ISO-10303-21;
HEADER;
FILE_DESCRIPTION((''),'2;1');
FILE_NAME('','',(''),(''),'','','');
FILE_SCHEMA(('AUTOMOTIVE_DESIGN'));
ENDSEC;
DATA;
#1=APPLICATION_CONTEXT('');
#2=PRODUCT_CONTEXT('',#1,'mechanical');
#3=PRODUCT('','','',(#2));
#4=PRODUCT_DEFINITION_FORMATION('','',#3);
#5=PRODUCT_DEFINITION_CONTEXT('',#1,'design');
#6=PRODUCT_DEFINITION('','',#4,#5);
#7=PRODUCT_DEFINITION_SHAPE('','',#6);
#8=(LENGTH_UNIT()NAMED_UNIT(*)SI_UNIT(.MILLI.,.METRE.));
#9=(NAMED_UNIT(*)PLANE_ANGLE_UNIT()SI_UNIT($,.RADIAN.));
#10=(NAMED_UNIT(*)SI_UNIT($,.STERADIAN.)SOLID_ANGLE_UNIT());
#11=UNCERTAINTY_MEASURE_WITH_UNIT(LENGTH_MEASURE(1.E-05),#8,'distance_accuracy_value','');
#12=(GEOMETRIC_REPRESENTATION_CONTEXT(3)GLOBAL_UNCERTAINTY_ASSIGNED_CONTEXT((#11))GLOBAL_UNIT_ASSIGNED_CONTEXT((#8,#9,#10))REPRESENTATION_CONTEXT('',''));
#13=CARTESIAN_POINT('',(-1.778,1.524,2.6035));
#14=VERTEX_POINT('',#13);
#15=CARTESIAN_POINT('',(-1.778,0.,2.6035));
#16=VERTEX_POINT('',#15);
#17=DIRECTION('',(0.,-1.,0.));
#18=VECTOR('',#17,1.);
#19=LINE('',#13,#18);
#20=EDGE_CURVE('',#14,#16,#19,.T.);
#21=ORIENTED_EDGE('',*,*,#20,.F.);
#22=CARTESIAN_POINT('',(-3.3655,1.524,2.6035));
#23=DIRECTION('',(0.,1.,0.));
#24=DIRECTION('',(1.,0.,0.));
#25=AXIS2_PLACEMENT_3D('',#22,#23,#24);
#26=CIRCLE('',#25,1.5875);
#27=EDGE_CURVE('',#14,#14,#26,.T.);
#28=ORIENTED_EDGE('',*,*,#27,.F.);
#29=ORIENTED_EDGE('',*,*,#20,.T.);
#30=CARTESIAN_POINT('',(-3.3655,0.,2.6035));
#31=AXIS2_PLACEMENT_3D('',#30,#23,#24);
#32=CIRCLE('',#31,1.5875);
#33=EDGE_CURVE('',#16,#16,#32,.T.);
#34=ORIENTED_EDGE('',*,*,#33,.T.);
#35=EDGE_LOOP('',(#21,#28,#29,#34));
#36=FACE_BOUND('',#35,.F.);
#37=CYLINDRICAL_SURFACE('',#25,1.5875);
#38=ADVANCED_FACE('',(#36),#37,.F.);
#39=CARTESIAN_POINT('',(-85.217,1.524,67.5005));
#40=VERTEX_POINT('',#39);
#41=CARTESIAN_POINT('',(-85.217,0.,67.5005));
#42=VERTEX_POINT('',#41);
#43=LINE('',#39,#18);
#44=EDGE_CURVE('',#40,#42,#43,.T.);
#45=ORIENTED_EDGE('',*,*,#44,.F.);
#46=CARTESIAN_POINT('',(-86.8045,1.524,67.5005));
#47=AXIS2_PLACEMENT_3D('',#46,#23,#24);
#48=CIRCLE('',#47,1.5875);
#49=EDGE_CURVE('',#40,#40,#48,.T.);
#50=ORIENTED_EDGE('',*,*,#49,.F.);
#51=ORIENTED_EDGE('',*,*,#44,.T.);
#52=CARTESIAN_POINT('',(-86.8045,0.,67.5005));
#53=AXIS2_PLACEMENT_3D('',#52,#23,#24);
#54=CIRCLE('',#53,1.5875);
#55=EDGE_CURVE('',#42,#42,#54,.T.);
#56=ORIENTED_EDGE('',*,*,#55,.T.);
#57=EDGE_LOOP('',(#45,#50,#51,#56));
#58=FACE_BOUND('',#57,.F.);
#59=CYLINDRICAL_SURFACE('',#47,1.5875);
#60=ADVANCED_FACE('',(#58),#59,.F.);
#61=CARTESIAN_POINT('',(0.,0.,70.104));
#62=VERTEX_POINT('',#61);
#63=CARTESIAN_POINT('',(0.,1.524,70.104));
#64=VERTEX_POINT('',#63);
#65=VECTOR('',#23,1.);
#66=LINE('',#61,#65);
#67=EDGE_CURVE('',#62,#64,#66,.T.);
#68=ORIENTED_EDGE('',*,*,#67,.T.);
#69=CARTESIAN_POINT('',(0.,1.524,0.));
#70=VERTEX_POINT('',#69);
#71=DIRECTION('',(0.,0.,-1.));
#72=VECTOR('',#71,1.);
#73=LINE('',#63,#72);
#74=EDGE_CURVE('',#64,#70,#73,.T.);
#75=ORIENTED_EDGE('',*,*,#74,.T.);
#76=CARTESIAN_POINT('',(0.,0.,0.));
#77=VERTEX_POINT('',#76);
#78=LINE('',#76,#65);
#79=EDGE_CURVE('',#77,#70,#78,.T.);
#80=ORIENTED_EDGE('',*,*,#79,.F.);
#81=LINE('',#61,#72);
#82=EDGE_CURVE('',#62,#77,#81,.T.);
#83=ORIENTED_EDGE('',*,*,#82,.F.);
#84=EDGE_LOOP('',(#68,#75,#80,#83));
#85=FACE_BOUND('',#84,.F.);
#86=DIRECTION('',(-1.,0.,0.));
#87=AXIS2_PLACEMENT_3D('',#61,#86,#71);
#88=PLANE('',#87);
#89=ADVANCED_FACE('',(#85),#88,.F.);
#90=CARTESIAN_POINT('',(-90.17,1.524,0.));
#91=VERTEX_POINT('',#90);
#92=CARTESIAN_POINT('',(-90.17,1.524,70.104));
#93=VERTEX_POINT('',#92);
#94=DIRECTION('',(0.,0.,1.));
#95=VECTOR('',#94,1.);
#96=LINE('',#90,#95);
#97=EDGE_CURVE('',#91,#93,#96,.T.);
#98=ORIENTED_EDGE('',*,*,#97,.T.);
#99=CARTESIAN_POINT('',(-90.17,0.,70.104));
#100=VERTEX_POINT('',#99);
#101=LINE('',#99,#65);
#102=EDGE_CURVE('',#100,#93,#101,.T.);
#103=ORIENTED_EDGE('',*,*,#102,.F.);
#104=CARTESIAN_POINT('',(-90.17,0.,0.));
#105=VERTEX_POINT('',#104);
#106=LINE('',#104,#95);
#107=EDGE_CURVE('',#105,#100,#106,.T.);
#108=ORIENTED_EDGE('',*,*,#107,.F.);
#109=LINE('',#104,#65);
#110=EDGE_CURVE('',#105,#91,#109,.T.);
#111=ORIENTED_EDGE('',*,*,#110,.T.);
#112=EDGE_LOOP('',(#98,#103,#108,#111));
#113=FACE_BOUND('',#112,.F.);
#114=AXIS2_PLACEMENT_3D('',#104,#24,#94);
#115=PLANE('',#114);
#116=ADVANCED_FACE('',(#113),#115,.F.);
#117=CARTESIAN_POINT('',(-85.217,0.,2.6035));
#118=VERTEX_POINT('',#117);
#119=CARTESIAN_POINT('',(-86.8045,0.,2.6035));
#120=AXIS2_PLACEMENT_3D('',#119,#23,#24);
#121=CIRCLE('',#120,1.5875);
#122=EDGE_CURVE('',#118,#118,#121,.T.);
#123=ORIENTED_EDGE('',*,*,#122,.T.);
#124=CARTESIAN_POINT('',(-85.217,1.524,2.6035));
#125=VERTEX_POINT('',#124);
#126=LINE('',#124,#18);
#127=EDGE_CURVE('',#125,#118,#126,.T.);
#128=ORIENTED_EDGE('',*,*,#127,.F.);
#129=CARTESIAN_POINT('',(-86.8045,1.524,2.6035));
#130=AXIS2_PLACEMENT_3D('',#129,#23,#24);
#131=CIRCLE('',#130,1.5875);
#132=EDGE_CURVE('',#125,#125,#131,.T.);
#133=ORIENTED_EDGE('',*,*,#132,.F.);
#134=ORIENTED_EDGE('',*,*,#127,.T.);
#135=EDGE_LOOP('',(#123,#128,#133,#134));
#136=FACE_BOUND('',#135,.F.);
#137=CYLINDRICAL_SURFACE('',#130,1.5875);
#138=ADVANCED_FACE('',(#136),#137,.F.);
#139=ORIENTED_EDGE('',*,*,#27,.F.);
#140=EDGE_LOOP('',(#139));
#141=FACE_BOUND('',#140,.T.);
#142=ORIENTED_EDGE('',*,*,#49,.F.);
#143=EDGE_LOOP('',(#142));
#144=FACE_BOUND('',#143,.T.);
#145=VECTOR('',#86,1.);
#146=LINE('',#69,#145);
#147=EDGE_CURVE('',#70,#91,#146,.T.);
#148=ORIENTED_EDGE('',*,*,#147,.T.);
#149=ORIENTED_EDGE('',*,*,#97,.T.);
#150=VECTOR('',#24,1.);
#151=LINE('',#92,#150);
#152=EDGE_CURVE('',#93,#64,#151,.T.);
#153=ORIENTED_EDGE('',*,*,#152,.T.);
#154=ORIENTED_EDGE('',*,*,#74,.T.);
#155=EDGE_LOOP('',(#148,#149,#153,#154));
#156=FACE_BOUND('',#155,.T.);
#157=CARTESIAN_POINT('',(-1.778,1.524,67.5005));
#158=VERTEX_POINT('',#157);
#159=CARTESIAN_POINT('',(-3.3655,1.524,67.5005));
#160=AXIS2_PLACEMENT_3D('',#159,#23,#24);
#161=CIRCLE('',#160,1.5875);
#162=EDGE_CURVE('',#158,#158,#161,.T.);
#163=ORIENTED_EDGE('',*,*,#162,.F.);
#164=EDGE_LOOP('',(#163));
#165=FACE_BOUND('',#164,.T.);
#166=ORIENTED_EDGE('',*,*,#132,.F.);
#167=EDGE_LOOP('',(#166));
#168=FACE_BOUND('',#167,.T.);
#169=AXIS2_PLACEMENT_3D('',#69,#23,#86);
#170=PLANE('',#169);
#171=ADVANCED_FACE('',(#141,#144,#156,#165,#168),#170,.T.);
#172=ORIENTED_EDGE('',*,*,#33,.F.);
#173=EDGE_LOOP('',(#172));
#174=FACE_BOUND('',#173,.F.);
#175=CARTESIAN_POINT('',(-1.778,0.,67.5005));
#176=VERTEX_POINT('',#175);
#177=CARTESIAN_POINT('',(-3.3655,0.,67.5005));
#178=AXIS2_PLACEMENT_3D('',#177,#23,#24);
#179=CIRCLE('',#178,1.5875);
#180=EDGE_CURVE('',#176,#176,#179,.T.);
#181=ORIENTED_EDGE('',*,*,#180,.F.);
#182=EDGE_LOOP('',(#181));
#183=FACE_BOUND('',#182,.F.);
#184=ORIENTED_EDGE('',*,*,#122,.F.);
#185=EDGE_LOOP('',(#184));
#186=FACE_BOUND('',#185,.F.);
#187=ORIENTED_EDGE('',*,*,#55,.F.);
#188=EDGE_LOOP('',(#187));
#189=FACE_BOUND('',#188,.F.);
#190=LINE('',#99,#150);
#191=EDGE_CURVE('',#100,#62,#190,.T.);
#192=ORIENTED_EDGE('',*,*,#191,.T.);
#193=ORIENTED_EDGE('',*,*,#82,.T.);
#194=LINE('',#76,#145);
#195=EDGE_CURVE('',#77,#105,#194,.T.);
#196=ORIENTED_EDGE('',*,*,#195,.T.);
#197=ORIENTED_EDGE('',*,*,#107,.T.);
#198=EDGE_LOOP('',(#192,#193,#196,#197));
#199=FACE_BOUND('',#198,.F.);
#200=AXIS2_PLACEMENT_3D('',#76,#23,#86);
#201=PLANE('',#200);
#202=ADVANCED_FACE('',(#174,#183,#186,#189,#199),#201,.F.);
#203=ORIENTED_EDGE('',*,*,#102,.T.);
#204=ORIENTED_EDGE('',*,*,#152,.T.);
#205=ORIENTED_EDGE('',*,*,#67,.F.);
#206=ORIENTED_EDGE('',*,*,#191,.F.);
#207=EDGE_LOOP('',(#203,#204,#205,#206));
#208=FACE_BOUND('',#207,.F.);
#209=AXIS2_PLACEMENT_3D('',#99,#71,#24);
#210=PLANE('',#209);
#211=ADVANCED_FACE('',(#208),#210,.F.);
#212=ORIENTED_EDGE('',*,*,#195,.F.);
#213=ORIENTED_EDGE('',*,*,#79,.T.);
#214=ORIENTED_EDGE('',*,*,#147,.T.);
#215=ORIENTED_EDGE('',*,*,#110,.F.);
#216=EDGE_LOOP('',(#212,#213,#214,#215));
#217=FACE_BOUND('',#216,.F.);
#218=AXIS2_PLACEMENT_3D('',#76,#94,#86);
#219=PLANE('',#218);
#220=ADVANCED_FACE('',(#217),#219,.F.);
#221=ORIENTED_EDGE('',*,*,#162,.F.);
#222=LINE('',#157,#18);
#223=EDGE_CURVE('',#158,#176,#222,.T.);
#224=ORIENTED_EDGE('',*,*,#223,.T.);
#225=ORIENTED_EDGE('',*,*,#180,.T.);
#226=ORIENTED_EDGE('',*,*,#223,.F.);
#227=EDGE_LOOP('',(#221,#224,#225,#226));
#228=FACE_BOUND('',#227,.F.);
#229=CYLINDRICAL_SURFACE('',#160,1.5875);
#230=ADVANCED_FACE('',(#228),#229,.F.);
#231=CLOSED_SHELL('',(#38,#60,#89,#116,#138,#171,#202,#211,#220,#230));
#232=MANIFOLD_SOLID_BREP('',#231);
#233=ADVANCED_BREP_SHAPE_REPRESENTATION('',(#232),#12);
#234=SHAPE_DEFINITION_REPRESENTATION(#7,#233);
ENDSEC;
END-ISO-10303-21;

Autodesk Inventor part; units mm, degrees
ref_plane "YZ Plane" through (0, 0, 0) normal (1, 0, 0) x (0, 1, 0)
ref_plane "XZ Plane" through (0, 0, 0) normal (0, 1, 0) x (-1, 0, 0)
ref_plane "XY Plane" through (0, 0, 0) normal (0, 0, 1) x (1, 0, 0)
sketch "Sketch1" plane through (0, 0, 0) normal (0, 1, 0) x (-1, 0, 0)
  line L0 (0, 0) -> (90.17, 0)
  line L1 (90.17, 0) -> (90.17, 70.104)
  line L2 (90.17, 70.104) -> (0, 70.104)
  line L3 (0, 70.104) -> (0, 0)
  dimension "PCB_Length" = 90.17
  dimension "PCB_Width" = 70.104
extrude "Extrusion1" add sketch "Sketch1" along normal blind 1.524
sketch "Sketch2" plane through (0, 1.524, 0) normal (0, 1, 0) x (1, 0, 0)
  circle A0 centre (-3.3655, -2.6035) radius 1.5875
  circle A1 centre (-86.8045, -2.6035) radius 1.5875
  circle A2 centre (-86.8045, -67.5005) radius 1.5875
  circle A3 centre (-3.3655, -67.5005) radius 1.5875
  line L0 (-90.17, -70.104) -> (0, -70.104) projected
  line L1 (0, -70.104) -> (0, 0) projected
  line L2 (0, 0) -> (-90.17, 0) projected
  line L3 (-90.17, 0) -> (-90.17, -70.104) projected
  point P0 (-3.3655, -69.088)
  point P1 (-1.778, -67.5005)
  point P2 (-3.3655, -1.016)
  point P3 (-1.778, -2.6035)
  point P4 (-86.8045, -1.016)
  point P5 (-88.392, -2.6035)
  point P6 (-86.8045, -69.088)
  point P7 (-88.392, -67.5005)
  dimension "d4" = 3.175
  dimension "d5" = 1.016
  dimension "d6" = 1.778
  dimension "d7" = 1.016
  dimension "d8" = 1.778
  dimension "d9" = 1.016
  dimension "d10" = 1.778
  dimension "d11" = 1.016
  dimension "d12" = 1.778
extrude "Extrusion2" cut sketch "Sketch2" against normal through all contours A0 | A1 | A2 | A3
properties part number "PCB"
